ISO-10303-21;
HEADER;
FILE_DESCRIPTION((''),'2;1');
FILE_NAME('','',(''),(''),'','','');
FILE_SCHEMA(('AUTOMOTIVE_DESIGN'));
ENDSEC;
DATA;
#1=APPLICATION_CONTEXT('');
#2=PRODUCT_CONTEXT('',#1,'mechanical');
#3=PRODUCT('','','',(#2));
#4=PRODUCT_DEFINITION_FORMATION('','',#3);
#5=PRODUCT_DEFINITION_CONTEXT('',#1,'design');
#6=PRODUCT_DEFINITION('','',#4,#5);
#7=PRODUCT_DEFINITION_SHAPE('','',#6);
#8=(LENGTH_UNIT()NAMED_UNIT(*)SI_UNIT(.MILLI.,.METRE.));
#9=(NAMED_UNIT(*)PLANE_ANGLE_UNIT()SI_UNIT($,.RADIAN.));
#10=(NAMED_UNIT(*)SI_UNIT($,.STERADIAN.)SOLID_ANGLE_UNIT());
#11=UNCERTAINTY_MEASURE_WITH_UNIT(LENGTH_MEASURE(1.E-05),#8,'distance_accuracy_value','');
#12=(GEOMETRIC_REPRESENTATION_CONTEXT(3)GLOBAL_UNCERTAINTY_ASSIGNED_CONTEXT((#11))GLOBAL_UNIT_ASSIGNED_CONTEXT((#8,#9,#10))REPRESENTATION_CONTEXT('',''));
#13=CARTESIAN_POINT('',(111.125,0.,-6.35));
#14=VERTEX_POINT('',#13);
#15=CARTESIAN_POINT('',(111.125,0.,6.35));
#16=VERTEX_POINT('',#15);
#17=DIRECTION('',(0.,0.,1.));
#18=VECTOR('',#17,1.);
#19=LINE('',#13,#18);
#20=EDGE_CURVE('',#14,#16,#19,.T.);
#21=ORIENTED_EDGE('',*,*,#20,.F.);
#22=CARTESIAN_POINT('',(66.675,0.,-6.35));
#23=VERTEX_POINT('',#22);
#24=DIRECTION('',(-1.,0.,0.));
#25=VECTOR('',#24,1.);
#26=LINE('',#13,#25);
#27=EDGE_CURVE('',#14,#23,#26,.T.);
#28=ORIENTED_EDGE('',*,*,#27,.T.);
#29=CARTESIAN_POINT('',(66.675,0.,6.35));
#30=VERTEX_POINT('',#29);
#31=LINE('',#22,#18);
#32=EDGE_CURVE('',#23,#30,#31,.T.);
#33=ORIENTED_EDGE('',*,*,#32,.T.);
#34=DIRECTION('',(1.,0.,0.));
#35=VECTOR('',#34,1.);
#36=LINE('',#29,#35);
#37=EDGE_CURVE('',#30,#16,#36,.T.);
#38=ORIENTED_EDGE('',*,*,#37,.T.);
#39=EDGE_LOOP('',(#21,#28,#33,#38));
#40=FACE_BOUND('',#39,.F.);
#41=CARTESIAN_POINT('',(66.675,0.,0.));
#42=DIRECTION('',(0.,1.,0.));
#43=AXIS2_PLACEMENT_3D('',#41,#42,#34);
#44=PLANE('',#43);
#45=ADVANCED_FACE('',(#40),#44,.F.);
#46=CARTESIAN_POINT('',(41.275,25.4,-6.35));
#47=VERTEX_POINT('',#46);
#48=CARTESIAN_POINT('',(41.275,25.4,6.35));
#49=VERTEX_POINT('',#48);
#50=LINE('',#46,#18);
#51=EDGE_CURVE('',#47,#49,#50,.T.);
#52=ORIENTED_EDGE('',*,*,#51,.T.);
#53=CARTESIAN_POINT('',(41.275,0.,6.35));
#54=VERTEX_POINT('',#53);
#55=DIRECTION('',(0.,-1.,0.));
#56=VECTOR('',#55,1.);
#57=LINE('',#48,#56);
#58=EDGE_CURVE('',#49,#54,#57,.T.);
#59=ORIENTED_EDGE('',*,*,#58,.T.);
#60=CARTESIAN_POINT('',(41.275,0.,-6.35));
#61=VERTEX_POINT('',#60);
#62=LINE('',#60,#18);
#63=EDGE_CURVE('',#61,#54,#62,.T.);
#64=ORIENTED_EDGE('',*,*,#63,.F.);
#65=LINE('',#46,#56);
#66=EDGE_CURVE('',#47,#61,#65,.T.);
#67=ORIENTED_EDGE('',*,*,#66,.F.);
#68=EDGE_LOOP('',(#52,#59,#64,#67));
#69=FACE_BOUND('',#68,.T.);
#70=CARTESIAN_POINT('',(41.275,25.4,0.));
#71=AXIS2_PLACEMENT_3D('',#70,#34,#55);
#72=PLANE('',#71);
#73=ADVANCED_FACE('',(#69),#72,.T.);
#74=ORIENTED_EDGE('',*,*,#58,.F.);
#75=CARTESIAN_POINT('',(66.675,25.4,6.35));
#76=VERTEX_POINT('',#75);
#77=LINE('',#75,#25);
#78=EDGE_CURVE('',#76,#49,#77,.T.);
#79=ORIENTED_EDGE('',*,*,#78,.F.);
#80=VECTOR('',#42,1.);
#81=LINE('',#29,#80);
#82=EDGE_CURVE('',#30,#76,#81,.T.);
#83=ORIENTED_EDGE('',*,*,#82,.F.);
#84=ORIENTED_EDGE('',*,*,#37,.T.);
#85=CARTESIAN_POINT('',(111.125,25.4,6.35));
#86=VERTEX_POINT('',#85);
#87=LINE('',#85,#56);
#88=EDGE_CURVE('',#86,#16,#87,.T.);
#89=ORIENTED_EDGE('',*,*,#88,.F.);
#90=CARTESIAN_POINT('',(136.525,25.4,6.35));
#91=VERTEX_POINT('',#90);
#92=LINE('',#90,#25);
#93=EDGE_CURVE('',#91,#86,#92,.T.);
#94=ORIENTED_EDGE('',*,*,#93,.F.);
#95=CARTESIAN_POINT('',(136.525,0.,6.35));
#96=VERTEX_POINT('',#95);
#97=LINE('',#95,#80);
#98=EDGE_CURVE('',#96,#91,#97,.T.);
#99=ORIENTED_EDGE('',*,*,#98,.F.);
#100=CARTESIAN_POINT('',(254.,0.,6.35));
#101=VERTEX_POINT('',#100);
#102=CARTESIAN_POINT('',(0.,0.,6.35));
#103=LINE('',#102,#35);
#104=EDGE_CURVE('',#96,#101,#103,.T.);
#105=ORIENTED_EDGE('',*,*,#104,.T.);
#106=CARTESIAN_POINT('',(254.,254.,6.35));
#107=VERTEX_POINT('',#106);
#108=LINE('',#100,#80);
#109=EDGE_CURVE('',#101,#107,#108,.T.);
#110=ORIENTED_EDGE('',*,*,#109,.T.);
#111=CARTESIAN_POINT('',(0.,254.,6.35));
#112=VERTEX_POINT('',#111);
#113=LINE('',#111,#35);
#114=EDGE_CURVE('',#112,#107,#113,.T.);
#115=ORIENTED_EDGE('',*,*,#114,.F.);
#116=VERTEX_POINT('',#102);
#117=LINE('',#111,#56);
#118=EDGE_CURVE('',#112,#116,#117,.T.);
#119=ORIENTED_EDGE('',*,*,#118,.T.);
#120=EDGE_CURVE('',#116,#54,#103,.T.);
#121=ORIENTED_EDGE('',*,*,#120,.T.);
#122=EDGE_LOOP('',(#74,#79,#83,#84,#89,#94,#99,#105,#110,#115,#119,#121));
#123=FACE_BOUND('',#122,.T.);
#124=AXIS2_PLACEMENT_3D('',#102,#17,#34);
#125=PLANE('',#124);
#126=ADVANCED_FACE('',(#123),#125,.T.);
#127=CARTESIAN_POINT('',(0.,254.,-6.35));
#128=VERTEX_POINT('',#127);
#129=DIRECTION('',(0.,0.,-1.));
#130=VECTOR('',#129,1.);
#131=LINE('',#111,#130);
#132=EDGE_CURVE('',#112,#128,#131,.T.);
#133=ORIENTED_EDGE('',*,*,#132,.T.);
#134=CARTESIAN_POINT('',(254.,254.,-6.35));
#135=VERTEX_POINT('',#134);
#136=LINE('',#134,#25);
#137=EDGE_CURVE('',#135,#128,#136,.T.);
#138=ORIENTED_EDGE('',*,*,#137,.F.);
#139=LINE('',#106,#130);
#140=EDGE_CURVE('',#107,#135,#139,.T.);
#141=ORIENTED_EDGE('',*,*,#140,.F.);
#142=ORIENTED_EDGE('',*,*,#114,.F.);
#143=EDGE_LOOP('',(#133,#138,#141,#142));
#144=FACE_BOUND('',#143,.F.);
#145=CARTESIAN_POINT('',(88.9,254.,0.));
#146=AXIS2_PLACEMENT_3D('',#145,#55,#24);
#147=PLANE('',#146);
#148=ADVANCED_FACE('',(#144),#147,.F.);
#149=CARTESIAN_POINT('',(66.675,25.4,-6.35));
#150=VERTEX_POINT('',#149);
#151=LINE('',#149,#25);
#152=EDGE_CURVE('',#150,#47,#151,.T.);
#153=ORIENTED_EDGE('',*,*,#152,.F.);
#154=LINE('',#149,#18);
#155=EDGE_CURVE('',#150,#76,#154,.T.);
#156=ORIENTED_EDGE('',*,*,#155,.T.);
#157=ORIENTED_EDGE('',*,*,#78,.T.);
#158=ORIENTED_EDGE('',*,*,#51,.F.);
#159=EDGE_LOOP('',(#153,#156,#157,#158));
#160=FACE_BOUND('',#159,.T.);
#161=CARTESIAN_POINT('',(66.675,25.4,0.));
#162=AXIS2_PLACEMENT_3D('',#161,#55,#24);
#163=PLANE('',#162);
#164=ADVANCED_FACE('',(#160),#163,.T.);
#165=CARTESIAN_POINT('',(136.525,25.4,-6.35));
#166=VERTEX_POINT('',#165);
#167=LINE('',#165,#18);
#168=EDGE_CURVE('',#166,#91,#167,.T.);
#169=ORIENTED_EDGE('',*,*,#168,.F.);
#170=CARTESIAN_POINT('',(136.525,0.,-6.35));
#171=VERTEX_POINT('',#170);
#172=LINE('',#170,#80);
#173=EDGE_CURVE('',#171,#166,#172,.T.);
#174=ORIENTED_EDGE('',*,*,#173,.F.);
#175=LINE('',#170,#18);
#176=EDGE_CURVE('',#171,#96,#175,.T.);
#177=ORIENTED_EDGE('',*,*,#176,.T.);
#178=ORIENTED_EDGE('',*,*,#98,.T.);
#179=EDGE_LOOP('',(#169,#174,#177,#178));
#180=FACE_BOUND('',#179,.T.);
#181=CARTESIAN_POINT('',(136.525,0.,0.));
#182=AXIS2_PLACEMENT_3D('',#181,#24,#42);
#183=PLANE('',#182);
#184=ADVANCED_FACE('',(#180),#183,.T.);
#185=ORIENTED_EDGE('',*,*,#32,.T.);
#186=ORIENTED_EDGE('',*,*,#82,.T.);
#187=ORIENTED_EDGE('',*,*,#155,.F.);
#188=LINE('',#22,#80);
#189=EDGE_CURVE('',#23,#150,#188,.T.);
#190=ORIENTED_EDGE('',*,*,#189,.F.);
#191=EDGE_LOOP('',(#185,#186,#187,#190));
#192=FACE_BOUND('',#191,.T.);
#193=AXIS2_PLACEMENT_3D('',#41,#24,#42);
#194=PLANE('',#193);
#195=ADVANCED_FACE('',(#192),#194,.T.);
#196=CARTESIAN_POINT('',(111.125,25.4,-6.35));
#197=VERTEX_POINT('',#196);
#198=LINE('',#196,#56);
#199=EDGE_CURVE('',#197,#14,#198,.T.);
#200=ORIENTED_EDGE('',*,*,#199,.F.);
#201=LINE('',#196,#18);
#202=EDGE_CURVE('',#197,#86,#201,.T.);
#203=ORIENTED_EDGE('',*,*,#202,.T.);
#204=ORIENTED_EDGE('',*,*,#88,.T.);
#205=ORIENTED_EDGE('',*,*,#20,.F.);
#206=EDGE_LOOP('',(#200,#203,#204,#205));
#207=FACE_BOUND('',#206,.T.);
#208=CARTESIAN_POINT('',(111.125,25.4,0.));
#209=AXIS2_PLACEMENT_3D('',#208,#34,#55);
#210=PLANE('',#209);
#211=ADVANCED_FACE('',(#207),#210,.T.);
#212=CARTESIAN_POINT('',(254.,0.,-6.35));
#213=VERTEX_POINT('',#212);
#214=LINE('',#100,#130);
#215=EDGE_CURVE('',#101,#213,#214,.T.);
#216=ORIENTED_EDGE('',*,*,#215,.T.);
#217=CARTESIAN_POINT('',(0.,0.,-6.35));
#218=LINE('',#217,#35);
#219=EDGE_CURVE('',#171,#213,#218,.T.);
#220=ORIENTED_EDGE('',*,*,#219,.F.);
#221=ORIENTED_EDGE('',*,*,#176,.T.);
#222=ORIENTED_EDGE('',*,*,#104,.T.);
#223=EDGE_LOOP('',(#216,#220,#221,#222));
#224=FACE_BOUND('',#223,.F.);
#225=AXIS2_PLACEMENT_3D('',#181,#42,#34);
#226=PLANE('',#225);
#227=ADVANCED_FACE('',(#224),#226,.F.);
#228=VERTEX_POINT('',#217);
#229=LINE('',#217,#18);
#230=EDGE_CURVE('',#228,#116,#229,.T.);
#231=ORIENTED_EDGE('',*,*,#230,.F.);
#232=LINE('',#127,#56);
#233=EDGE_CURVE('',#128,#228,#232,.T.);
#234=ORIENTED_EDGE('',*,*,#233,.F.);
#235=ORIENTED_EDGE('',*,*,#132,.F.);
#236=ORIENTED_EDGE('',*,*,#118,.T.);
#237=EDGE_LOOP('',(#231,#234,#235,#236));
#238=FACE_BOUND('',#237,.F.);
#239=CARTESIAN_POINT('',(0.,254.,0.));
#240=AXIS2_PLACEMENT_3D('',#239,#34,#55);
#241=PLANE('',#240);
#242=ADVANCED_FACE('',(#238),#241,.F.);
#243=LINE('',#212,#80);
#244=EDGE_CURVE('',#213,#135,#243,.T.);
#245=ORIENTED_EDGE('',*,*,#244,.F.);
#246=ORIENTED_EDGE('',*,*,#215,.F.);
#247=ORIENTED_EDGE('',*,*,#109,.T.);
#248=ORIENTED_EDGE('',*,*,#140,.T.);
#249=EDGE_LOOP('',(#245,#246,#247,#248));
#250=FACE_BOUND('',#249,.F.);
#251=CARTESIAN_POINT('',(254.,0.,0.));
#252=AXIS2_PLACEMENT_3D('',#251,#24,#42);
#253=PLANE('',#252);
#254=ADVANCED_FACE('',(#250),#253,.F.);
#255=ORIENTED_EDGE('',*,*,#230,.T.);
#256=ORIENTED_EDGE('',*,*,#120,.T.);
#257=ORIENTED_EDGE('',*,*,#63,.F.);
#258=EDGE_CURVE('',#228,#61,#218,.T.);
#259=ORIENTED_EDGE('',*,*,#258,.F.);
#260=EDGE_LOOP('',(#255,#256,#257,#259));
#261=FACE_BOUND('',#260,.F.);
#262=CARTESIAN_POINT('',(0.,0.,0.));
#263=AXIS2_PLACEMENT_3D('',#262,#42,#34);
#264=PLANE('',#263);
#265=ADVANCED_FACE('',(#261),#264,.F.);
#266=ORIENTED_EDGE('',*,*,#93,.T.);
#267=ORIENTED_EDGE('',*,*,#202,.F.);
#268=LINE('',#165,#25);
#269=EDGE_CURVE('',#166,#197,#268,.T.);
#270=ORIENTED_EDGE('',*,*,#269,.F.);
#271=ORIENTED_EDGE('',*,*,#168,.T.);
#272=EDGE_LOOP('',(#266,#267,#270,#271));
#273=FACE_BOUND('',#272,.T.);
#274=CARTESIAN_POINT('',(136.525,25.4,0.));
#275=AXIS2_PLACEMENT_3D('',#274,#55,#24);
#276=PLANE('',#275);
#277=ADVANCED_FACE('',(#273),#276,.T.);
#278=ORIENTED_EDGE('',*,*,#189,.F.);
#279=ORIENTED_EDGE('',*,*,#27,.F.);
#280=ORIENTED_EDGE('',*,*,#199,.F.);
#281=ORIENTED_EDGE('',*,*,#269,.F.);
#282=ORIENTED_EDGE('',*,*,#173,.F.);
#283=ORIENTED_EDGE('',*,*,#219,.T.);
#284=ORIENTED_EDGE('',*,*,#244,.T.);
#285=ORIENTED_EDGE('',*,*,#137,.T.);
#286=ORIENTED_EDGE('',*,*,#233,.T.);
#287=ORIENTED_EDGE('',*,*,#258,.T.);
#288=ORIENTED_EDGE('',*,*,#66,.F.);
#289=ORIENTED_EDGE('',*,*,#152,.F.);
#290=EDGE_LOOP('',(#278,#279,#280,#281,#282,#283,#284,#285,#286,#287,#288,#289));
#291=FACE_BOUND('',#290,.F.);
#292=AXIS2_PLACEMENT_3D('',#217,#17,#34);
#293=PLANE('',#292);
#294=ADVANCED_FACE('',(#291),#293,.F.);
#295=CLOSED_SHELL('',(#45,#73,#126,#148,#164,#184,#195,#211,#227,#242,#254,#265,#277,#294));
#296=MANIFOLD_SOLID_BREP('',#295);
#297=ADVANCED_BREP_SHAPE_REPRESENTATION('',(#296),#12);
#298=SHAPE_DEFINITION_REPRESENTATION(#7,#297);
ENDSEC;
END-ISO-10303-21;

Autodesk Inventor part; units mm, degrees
ref_plane "YZ Plane" through (0, 0, 0) normal (1, 0, 0) x (0, 1, 0)
ref_plane "XZ Plane" through (0, 0, 0) normal (0, 1, 0) x (-1, 0, 0)
ref_plane "XY Plane" through (0, 0, 0) normal (0, 0, 1) x (1, 0, 0)
sketch "Sketch1" plane through (0, 0, 0) normal (0, 0, 1) x (1, 0, 0)
  line L0 (0, 0) -> (254, 0)
  line L1 (254, 0) -> (254, 254)
  line L2 (254, 254) -> (0, 254)
  line L3 (0, 254) -> (0, 0)
  line L4 (88.9, 254) -> (88.9, 0)
  line L5 (41.275, 0) -> (66.675, 0)
  line L6 (66.675, 0) -> (66.675, 25.4)
  line L7 (66.675, 25.4) -> (41.275, 25.4)
  line L8 (41.275, 25.4) -> (41.275, 0)
  line L9 (111.125, 0) -> (136.525, 0)
  line L10 (136.525, 0) -> (136.525, 25.4)
  line L11 (136.525, 25.4) -> (111.125, 25.4)
  line L12 (111.125, 25.4) -> (111.125, 0)
  dimension "d0" = 254
  dimension "d1" = 254
  dimension "d2" = 88.9
  dimension "d3" = 25.4
  dimension "d4" = 25.4
  dimension "d5" = 25.4
  dimension "d6" = 22.225
  dimension "d7" = 22.225
extrude "Extrusion1" add sketch "Sketch1" along normal mid plane 12.7 contours L3 L2 L4 L0 L6 L7 L8 | L2 L1 L0 L10 L11 L12 L4
equation "\"d0\" = Width"
equation "\"d1\" = Height + Thickness"
equation "\"d8\" = Thickness"
equation "\"Width\" = 254"
equation "\"Height\" = 241.3"
equation "\"Thickness\" = 12.7"
properties part number "SideRWall"
